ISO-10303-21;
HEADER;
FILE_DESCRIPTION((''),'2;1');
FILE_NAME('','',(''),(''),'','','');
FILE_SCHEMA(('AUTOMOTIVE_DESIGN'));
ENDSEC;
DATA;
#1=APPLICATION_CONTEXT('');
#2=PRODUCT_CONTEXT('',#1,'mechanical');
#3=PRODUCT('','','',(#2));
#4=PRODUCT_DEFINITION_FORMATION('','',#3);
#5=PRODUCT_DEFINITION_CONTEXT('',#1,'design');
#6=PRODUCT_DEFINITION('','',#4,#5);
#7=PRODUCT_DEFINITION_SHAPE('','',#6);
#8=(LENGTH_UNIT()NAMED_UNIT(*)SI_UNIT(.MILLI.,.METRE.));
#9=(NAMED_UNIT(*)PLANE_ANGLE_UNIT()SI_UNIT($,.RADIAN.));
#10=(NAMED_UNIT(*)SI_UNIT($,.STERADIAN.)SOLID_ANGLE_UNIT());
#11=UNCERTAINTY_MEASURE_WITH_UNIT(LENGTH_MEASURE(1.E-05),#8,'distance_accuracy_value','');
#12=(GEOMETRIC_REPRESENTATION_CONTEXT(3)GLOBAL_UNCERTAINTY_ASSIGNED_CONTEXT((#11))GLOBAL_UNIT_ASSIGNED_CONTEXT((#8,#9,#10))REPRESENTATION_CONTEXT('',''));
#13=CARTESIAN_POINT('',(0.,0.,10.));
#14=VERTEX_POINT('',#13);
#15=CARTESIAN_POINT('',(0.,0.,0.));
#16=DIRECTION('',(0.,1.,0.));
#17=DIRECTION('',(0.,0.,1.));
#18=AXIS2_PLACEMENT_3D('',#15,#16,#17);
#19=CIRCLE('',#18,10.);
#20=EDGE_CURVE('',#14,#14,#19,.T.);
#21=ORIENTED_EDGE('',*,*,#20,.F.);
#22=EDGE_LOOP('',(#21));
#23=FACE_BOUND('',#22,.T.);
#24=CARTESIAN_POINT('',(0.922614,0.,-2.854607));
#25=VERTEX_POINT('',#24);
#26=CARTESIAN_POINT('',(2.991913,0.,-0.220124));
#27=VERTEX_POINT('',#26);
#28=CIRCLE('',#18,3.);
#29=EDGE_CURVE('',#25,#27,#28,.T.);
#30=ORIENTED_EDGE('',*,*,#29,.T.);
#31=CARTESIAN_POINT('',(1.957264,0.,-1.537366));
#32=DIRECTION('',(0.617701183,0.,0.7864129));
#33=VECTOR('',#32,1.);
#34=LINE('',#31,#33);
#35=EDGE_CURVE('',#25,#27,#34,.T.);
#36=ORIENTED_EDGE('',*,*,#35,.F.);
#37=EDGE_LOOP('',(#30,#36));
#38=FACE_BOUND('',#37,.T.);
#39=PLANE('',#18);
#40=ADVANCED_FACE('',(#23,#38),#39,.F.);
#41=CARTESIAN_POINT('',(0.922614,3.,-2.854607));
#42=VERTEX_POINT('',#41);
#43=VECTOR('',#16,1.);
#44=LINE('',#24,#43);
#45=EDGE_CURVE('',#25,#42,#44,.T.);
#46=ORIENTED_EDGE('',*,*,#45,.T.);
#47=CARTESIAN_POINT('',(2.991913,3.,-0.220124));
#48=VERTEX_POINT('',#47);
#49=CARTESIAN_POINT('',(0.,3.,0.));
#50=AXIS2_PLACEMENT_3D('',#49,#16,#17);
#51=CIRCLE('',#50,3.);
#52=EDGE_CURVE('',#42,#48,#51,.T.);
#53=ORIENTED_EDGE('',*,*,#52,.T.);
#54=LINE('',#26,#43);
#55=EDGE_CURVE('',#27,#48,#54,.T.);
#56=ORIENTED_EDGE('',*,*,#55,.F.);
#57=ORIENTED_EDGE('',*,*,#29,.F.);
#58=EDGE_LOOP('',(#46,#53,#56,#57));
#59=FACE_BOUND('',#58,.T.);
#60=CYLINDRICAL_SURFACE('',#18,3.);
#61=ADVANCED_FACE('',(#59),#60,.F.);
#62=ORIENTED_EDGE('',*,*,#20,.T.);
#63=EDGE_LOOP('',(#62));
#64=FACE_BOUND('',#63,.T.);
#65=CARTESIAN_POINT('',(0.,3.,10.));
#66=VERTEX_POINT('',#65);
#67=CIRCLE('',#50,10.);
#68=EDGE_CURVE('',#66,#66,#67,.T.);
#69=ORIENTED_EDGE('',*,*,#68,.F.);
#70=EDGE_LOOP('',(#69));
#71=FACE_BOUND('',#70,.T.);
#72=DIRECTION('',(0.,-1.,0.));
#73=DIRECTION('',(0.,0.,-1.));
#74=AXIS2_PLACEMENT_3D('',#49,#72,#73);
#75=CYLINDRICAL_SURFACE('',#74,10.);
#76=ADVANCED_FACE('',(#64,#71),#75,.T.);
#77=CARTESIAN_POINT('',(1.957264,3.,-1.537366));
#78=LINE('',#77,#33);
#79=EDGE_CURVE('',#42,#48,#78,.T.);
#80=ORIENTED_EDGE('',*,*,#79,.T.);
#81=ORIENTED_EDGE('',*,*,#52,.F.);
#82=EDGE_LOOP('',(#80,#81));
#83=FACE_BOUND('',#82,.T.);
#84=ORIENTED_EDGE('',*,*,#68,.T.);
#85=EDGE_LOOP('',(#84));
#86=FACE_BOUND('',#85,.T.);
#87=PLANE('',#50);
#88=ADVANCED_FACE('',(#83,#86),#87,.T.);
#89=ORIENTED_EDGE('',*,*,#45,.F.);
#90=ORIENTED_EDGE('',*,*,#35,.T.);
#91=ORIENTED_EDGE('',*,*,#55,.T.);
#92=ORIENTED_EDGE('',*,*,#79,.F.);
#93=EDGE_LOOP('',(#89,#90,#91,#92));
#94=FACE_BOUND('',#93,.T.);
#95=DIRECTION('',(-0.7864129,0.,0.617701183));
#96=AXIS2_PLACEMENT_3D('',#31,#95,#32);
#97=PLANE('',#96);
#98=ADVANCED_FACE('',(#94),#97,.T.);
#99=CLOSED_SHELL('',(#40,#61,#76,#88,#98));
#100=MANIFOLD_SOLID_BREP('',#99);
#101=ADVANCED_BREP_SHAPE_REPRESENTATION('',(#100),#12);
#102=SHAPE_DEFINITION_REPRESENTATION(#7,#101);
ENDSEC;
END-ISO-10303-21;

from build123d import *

# Parameters (mm, degrees)
SKETCH1_R           = 10
SKETCH1_R_2         = 3
BOSS_EXTRUDE1_DEPTH = 3
CUT_EXTRUDE1_DEPTH  = 3


with BuildPart() as part:
    # Sketch1 → Boss-Extrude1 (new body)
    # profile 1 of 2: a face of its own
    with BuildSketch(Plane(origin=(0, 0, 0), x_dir=(1, 0, 0), z_dir=(0, 1, 0))):
        with Locations(Location((0, 0, 0), (0, 0, 270))):
            Circle(SKETCH1_R)
        Circle(SKETCH1_R_2, mode=Mode.SUBTRACT)
    # profile 2 of 2: a face of its own
    with BuildSketch(Plane(origin=(0, 0, 0), x_dir=(1, 0, 0), z_dir=(0, 1, 0))):
        with BuildLine():
            ThreePointArc((1.676379413, 2.487921234), (-2.648503185, -1.409053186), (3, 0))
            ThreePointArc((3, 0), (2.648503185, 1.409053186), (1.676379413, 2.487921234))
        make_face()
    extrude(amount=BOSS_EXTRUDE1_DEPTH)

    # Sketch2 → Cut-Extrude1 (cut)
    with BuildSketch(Plane(origin=(0, 3, 0), x_dir=(1, 0, 0), z_dir=(0, 1, 0))):
        with BuildLine():
            Line((2.991913334, 0.220124066), (0.922614371, 2.85460728))
            ThreePointArc((0.922614371, 2.85460728), (-2.425679607, -1.765241752), (3, 0))
            ThreePointArc((3, 0), (2.997977652, 0.110136278), (2.991913334, 0.220124066))
        make_face()
    extrude(amount=-CUT_EXTRUDE1_DEPTH, mode=Mode.SUBTRACT)


solid = part.part
